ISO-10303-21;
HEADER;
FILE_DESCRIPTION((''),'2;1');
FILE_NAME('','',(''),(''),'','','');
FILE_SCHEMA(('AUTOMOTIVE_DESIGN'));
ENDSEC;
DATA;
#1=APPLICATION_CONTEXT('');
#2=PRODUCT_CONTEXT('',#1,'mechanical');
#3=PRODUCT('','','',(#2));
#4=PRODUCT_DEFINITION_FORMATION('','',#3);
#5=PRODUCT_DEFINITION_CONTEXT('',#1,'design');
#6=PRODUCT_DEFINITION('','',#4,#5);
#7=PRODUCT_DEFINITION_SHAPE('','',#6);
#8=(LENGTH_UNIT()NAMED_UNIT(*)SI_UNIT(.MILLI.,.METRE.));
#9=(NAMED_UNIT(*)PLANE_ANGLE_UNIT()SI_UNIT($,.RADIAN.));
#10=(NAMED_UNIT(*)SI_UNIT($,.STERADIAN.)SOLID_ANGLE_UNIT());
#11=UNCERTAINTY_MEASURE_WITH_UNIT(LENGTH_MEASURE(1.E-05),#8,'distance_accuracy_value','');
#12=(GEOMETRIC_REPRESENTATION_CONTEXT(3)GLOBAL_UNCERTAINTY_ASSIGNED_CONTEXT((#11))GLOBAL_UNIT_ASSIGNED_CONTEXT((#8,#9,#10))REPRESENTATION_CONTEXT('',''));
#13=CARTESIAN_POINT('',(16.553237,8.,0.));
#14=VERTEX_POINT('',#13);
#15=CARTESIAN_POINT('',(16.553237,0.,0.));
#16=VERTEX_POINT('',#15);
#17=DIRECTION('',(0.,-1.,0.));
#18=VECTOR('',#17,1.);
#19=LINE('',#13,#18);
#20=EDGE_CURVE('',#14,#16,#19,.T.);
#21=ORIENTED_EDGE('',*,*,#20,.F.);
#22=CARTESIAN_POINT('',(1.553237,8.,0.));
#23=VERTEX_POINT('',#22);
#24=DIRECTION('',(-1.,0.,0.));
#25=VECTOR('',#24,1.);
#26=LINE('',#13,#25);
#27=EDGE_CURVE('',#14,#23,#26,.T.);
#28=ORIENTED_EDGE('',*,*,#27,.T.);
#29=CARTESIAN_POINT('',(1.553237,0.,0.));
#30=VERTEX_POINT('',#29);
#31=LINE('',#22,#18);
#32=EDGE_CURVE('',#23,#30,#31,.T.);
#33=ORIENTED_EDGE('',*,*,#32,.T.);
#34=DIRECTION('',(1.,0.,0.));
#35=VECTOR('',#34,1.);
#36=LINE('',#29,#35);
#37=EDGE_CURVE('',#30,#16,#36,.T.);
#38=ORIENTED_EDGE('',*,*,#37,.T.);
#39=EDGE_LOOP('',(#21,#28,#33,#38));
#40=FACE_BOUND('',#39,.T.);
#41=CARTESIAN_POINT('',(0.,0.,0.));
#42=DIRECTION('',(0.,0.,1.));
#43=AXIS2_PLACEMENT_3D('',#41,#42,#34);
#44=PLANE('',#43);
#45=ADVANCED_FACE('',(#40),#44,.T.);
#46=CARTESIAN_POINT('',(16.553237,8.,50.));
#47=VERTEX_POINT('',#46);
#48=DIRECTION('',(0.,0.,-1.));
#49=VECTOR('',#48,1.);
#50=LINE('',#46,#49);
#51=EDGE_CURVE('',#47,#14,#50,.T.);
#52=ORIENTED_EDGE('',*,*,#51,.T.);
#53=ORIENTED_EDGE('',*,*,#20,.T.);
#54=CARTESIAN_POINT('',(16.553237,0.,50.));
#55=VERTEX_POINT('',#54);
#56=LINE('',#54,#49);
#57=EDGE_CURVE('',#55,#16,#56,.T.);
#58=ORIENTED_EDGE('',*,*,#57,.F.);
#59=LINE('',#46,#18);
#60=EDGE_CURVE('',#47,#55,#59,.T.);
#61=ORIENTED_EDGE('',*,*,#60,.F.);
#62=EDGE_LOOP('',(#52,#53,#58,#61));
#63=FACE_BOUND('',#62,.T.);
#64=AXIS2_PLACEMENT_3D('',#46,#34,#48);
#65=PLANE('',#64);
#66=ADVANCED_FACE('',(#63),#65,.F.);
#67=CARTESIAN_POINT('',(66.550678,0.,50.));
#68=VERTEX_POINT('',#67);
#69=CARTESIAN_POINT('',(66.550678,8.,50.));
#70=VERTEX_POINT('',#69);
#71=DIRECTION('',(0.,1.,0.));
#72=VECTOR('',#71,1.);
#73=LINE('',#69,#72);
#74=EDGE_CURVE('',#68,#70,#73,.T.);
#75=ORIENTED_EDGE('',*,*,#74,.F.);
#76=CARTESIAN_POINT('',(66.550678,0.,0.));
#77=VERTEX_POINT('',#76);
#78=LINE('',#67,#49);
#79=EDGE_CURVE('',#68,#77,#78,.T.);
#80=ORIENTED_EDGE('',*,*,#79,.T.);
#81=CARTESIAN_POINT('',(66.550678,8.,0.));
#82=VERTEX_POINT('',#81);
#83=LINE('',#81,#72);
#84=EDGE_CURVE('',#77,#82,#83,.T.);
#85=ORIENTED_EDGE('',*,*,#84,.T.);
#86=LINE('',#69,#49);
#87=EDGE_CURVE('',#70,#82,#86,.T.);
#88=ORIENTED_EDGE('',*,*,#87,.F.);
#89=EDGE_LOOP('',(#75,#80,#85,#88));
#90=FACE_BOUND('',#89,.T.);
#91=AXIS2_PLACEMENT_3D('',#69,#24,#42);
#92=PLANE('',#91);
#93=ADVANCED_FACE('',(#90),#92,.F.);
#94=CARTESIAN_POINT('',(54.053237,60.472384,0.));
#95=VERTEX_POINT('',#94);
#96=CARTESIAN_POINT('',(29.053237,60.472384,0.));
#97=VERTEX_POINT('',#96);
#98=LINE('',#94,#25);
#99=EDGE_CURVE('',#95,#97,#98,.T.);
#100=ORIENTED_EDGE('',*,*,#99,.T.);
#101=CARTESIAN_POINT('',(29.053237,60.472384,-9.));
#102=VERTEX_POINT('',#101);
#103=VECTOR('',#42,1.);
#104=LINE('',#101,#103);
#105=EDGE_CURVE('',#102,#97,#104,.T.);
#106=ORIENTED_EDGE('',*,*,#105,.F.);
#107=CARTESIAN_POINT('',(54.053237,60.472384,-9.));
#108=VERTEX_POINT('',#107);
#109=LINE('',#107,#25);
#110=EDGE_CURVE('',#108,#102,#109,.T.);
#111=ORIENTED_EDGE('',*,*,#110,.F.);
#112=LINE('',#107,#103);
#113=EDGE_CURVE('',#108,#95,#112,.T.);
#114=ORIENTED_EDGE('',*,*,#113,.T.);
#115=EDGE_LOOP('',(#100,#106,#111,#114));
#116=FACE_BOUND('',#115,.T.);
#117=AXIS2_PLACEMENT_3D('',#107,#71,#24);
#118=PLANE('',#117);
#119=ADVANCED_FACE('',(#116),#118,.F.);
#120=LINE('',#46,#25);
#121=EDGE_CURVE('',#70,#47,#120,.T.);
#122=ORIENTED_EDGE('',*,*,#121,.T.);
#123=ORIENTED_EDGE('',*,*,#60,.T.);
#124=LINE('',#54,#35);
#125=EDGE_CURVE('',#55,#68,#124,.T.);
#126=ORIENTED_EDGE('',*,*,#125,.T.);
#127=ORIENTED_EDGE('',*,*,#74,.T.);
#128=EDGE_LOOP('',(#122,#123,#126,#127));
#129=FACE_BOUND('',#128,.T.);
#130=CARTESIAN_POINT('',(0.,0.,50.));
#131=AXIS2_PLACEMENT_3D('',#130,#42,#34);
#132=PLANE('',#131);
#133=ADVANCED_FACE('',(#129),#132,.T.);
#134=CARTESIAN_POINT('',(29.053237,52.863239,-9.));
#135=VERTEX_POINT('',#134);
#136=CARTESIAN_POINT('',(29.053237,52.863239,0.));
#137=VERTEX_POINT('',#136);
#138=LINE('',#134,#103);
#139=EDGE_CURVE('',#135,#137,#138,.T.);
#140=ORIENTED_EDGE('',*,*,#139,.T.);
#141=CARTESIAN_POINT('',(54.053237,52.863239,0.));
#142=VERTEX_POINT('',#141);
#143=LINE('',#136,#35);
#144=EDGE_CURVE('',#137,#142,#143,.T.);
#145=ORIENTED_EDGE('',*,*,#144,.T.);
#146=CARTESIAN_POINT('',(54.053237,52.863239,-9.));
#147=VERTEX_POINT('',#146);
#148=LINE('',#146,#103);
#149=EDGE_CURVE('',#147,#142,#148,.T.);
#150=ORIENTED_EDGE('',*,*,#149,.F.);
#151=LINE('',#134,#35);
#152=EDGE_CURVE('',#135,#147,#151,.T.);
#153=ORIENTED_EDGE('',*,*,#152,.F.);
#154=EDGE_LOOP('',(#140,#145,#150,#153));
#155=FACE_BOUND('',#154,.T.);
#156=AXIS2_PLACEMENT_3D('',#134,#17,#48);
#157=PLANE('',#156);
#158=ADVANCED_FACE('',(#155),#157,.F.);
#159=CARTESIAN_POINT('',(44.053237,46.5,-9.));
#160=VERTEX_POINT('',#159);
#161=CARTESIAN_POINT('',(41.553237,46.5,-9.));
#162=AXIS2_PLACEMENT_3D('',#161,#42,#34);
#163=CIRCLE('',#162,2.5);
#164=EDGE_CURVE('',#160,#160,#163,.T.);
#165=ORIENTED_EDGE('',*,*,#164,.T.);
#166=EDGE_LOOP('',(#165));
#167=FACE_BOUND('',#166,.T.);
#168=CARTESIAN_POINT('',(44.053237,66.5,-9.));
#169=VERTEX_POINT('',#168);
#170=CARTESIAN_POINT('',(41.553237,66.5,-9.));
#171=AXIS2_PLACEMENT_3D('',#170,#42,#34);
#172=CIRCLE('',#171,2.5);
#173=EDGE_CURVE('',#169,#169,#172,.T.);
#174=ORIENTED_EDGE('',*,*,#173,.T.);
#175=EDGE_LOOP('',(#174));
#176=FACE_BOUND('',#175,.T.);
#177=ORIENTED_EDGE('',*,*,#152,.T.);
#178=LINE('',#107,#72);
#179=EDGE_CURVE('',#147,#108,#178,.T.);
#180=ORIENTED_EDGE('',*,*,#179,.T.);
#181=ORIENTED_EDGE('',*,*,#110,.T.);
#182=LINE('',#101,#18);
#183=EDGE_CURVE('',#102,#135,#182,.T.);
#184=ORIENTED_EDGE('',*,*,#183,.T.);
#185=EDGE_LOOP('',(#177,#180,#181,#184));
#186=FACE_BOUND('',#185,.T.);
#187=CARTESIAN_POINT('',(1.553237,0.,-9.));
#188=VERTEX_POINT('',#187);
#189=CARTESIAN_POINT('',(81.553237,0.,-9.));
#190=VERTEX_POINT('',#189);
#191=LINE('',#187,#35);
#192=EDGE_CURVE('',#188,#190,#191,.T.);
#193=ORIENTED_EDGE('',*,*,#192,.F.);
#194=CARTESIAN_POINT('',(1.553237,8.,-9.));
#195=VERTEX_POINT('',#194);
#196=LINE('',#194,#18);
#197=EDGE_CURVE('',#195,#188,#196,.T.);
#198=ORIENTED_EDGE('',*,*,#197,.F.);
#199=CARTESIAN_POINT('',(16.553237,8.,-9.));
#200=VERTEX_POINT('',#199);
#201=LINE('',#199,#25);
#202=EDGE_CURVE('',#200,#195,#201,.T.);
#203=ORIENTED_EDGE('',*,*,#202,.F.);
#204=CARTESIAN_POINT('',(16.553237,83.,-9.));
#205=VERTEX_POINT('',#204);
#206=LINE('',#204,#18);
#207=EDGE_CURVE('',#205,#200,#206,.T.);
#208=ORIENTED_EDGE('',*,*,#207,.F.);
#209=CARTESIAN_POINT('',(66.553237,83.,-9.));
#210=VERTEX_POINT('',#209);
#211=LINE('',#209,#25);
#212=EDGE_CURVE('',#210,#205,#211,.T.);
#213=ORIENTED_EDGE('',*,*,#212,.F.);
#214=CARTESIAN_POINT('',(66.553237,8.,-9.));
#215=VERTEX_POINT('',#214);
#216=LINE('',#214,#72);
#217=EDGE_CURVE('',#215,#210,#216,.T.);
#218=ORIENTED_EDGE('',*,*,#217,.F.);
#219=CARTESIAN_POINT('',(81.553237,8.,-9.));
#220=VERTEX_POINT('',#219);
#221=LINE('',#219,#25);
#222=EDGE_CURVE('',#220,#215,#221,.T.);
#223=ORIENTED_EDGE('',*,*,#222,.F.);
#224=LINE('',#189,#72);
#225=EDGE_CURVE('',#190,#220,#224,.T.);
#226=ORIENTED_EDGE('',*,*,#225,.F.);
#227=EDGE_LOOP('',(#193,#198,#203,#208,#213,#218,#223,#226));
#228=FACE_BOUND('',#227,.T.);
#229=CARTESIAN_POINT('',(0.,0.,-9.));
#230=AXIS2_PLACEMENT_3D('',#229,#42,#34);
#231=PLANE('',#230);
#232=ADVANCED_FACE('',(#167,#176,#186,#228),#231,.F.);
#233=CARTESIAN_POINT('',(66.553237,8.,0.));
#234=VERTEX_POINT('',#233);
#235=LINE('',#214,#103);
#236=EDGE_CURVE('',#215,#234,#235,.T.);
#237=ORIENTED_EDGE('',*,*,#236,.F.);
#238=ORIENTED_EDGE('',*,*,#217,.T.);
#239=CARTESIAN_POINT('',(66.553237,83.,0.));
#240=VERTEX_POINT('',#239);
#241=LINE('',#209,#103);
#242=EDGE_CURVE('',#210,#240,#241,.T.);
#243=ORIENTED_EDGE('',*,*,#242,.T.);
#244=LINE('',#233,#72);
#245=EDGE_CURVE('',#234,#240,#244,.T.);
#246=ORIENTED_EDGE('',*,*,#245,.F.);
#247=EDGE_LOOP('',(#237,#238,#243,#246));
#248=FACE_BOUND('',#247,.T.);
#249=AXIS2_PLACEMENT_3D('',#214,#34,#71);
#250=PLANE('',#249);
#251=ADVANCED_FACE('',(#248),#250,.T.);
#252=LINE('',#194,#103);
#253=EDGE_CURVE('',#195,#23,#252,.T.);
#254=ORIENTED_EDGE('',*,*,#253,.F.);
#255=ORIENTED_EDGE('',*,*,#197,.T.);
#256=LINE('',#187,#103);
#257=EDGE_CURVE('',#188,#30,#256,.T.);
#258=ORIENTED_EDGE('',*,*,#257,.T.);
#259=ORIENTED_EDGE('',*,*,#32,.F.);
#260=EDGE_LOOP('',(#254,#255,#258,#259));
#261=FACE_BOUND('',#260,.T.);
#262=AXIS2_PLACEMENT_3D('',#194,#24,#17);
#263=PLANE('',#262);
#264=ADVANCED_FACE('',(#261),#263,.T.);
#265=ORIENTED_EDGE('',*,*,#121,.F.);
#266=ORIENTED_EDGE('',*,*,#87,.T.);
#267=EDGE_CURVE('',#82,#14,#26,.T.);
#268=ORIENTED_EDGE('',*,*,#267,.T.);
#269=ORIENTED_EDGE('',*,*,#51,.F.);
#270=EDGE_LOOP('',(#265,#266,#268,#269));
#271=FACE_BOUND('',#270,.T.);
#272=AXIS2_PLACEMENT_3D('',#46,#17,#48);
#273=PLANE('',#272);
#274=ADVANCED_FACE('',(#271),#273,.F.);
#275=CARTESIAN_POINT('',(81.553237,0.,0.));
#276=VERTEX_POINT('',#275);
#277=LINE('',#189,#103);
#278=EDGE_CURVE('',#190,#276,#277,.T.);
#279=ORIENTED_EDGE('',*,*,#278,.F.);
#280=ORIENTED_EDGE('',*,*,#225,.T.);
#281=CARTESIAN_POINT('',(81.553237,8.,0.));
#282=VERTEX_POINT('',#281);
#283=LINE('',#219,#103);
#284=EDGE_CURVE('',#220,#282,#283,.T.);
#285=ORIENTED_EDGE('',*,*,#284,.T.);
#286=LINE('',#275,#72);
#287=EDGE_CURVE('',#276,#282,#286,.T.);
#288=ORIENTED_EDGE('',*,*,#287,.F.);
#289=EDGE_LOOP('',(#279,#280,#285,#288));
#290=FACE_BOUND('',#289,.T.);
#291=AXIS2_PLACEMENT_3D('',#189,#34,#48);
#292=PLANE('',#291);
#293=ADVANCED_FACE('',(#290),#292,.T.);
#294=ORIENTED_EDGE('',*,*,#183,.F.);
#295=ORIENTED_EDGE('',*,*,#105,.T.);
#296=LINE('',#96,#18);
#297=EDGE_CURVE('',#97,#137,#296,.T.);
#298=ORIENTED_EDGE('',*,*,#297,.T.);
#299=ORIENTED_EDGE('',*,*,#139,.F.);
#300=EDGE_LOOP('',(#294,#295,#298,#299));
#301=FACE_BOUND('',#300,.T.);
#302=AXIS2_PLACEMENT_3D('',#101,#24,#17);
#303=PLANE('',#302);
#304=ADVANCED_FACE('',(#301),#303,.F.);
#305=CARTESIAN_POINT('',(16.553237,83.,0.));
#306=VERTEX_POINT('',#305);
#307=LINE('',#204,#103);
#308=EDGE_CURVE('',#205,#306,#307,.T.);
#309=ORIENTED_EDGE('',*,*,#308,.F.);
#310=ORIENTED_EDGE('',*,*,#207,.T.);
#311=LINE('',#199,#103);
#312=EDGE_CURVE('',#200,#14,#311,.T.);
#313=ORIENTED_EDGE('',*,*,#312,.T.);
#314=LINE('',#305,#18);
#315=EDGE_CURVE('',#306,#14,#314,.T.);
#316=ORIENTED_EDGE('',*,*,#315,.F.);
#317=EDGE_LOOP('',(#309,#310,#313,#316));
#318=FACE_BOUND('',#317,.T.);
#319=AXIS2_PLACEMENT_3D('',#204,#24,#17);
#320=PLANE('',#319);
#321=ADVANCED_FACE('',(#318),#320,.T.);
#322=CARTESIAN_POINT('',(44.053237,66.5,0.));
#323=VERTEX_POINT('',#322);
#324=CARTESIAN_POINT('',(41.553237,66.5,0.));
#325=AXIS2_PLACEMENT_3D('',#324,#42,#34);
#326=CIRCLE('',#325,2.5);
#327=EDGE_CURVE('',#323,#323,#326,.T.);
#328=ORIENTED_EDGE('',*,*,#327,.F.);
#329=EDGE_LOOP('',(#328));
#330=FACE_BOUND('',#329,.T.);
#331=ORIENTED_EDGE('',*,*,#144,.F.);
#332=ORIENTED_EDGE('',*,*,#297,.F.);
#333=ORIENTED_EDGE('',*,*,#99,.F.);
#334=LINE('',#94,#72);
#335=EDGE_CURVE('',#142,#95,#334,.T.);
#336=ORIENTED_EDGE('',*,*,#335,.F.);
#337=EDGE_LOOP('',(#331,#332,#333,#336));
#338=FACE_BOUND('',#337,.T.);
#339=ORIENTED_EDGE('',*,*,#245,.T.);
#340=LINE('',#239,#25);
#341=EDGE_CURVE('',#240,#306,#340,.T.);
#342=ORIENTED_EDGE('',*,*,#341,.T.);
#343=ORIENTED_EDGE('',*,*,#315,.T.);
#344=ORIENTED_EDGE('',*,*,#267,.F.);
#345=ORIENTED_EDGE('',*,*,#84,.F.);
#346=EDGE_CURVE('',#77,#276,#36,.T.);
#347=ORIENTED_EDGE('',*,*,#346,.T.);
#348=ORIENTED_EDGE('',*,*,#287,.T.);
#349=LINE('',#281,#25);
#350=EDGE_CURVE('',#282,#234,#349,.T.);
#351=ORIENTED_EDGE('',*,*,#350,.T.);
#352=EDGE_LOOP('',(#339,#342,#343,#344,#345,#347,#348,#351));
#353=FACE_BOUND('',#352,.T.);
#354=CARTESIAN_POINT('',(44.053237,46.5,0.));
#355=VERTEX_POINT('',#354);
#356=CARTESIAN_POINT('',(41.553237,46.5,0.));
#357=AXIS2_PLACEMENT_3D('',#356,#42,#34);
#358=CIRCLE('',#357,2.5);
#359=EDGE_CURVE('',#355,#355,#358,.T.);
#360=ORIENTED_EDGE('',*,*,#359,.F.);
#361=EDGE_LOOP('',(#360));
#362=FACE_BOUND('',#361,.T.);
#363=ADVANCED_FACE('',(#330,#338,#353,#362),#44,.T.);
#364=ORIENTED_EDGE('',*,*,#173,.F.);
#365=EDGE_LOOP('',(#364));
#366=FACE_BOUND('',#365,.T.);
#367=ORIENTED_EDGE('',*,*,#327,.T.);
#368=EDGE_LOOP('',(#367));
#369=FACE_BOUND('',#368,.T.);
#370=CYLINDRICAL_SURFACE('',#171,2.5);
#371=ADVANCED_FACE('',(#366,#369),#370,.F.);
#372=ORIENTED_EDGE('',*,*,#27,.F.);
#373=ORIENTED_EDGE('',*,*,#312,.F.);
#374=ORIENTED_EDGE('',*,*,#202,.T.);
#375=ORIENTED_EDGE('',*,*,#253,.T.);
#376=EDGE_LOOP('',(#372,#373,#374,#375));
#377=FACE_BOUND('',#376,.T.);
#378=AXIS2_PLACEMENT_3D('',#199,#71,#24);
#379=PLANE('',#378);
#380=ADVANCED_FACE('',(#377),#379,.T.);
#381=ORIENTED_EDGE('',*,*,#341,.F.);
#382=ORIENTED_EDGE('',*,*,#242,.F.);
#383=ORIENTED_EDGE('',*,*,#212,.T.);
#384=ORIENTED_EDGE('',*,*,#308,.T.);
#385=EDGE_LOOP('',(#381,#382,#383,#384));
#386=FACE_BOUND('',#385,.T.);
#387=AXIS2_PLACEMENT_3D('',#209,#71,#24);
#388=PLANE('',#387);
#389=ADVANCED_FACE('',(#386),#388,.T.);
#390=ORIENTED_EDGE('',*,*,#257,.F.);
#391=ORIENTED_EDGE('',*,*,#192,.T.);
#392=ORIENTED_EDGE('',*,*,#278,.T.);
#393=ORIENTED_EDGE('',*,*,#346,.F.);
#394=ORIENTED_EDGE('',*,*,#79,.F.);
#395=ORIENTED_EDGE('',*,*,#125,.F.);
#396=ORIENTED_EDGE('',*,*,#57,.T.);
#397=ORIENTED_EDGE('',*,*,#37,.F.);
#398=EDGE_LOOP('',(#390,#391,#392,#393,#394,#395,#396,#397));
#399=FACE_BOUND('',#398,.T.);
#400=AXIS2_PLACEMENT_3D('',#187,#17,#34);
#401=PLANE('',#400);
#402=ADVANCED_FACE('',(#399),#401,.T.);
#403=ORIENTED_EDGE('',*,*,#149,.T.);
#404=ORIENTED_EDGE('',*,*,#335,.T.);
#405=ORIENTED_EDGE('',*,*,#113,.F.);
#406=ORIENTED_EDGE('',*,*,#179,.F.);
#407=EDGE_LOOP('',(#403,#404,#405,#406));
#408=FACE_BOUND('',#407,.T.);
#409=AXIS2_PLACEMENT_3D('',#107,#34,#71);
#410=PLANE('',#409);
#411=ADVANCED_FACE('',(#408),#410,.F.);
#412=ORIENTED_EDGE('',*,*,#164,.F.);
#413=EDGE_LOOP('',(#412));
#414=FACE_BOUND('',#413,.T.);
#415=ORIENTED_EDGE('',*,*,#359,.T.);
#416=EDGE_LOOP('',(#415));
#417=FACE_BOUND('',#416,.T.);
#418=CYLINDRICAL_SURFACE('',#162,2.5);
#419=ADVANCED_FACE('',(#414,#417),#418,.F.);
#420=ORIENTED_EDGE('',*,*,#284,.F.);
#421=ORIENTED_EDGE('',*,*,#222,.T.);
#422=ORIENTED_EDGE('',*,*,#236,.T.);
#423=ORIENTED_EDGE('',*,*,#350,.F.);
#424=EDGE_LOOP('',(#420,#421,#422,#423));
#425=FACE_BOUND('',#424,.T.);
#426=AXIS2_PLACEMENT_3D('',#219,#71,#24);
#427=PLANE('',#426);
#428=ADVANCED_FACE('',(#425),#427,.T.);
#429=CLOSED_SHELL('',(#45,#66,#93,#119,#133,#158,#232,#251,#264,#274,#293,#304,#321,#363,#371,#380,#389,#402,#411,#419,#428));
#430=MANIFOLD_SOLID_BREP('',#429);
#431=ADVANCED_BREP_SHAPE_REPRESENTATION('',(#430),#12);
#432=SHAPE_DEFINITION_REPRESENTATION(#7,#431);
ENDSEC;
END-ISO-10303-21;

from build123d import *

# Parameters (mm, degrees)
ESQUISSE1_R        = 2.5
ESQUISSE1_W        = 25
ESQUISSE1_H        = 7.609144865
BOSS_EXTRU_1_DEPTH = 9
ESQUISSE2_W        = 49.997440748
ESQUISSE2_H        = 8
BOSS_EXTRU_2_DEPTH = 50


with BuildPart() as part:
    # Esquisse1 → Boss.-Extru.1 (new body)
    with BuildSketch(Plane.XY):
        Polygon((1.553236782, 0), (81.553236782, 0), (81.553236782, 8), (66.553236782, 8), (66.553236782, 83), (16.553236782, 83), (16.553236782, 8), (1.553236782, 8), align=None)
        with Locations((41.553236782, 46.5)):
            Circle(ESQUISSE1_R, mode=Mode.SUBTRACT)
        with Locations((41.553236782, 66.5)):
            Circle(ESQUISSE1_R, mode=Mode.SUBTRACT)
        with Locations((41.553236782, 56.667811129)):
            Rectangle(ESQUISSE1_W, ESQUISSE1_H, mode=Mode.SUBTRACT)
    extrude(amount=-BOSS_EXTRU_1_DEPTH)

    # Esquisse2 → Boss.-Extru.2 (add)
    with BuildSketch(Plane.XY):
        with Locations((41.551957156, 4)):
            Rectangle(ESQUISSE2_W, ESQUISSE2_H)
    extrude(amount=BOSS_EXTRU_2_DEPTH)


solid = part.part
